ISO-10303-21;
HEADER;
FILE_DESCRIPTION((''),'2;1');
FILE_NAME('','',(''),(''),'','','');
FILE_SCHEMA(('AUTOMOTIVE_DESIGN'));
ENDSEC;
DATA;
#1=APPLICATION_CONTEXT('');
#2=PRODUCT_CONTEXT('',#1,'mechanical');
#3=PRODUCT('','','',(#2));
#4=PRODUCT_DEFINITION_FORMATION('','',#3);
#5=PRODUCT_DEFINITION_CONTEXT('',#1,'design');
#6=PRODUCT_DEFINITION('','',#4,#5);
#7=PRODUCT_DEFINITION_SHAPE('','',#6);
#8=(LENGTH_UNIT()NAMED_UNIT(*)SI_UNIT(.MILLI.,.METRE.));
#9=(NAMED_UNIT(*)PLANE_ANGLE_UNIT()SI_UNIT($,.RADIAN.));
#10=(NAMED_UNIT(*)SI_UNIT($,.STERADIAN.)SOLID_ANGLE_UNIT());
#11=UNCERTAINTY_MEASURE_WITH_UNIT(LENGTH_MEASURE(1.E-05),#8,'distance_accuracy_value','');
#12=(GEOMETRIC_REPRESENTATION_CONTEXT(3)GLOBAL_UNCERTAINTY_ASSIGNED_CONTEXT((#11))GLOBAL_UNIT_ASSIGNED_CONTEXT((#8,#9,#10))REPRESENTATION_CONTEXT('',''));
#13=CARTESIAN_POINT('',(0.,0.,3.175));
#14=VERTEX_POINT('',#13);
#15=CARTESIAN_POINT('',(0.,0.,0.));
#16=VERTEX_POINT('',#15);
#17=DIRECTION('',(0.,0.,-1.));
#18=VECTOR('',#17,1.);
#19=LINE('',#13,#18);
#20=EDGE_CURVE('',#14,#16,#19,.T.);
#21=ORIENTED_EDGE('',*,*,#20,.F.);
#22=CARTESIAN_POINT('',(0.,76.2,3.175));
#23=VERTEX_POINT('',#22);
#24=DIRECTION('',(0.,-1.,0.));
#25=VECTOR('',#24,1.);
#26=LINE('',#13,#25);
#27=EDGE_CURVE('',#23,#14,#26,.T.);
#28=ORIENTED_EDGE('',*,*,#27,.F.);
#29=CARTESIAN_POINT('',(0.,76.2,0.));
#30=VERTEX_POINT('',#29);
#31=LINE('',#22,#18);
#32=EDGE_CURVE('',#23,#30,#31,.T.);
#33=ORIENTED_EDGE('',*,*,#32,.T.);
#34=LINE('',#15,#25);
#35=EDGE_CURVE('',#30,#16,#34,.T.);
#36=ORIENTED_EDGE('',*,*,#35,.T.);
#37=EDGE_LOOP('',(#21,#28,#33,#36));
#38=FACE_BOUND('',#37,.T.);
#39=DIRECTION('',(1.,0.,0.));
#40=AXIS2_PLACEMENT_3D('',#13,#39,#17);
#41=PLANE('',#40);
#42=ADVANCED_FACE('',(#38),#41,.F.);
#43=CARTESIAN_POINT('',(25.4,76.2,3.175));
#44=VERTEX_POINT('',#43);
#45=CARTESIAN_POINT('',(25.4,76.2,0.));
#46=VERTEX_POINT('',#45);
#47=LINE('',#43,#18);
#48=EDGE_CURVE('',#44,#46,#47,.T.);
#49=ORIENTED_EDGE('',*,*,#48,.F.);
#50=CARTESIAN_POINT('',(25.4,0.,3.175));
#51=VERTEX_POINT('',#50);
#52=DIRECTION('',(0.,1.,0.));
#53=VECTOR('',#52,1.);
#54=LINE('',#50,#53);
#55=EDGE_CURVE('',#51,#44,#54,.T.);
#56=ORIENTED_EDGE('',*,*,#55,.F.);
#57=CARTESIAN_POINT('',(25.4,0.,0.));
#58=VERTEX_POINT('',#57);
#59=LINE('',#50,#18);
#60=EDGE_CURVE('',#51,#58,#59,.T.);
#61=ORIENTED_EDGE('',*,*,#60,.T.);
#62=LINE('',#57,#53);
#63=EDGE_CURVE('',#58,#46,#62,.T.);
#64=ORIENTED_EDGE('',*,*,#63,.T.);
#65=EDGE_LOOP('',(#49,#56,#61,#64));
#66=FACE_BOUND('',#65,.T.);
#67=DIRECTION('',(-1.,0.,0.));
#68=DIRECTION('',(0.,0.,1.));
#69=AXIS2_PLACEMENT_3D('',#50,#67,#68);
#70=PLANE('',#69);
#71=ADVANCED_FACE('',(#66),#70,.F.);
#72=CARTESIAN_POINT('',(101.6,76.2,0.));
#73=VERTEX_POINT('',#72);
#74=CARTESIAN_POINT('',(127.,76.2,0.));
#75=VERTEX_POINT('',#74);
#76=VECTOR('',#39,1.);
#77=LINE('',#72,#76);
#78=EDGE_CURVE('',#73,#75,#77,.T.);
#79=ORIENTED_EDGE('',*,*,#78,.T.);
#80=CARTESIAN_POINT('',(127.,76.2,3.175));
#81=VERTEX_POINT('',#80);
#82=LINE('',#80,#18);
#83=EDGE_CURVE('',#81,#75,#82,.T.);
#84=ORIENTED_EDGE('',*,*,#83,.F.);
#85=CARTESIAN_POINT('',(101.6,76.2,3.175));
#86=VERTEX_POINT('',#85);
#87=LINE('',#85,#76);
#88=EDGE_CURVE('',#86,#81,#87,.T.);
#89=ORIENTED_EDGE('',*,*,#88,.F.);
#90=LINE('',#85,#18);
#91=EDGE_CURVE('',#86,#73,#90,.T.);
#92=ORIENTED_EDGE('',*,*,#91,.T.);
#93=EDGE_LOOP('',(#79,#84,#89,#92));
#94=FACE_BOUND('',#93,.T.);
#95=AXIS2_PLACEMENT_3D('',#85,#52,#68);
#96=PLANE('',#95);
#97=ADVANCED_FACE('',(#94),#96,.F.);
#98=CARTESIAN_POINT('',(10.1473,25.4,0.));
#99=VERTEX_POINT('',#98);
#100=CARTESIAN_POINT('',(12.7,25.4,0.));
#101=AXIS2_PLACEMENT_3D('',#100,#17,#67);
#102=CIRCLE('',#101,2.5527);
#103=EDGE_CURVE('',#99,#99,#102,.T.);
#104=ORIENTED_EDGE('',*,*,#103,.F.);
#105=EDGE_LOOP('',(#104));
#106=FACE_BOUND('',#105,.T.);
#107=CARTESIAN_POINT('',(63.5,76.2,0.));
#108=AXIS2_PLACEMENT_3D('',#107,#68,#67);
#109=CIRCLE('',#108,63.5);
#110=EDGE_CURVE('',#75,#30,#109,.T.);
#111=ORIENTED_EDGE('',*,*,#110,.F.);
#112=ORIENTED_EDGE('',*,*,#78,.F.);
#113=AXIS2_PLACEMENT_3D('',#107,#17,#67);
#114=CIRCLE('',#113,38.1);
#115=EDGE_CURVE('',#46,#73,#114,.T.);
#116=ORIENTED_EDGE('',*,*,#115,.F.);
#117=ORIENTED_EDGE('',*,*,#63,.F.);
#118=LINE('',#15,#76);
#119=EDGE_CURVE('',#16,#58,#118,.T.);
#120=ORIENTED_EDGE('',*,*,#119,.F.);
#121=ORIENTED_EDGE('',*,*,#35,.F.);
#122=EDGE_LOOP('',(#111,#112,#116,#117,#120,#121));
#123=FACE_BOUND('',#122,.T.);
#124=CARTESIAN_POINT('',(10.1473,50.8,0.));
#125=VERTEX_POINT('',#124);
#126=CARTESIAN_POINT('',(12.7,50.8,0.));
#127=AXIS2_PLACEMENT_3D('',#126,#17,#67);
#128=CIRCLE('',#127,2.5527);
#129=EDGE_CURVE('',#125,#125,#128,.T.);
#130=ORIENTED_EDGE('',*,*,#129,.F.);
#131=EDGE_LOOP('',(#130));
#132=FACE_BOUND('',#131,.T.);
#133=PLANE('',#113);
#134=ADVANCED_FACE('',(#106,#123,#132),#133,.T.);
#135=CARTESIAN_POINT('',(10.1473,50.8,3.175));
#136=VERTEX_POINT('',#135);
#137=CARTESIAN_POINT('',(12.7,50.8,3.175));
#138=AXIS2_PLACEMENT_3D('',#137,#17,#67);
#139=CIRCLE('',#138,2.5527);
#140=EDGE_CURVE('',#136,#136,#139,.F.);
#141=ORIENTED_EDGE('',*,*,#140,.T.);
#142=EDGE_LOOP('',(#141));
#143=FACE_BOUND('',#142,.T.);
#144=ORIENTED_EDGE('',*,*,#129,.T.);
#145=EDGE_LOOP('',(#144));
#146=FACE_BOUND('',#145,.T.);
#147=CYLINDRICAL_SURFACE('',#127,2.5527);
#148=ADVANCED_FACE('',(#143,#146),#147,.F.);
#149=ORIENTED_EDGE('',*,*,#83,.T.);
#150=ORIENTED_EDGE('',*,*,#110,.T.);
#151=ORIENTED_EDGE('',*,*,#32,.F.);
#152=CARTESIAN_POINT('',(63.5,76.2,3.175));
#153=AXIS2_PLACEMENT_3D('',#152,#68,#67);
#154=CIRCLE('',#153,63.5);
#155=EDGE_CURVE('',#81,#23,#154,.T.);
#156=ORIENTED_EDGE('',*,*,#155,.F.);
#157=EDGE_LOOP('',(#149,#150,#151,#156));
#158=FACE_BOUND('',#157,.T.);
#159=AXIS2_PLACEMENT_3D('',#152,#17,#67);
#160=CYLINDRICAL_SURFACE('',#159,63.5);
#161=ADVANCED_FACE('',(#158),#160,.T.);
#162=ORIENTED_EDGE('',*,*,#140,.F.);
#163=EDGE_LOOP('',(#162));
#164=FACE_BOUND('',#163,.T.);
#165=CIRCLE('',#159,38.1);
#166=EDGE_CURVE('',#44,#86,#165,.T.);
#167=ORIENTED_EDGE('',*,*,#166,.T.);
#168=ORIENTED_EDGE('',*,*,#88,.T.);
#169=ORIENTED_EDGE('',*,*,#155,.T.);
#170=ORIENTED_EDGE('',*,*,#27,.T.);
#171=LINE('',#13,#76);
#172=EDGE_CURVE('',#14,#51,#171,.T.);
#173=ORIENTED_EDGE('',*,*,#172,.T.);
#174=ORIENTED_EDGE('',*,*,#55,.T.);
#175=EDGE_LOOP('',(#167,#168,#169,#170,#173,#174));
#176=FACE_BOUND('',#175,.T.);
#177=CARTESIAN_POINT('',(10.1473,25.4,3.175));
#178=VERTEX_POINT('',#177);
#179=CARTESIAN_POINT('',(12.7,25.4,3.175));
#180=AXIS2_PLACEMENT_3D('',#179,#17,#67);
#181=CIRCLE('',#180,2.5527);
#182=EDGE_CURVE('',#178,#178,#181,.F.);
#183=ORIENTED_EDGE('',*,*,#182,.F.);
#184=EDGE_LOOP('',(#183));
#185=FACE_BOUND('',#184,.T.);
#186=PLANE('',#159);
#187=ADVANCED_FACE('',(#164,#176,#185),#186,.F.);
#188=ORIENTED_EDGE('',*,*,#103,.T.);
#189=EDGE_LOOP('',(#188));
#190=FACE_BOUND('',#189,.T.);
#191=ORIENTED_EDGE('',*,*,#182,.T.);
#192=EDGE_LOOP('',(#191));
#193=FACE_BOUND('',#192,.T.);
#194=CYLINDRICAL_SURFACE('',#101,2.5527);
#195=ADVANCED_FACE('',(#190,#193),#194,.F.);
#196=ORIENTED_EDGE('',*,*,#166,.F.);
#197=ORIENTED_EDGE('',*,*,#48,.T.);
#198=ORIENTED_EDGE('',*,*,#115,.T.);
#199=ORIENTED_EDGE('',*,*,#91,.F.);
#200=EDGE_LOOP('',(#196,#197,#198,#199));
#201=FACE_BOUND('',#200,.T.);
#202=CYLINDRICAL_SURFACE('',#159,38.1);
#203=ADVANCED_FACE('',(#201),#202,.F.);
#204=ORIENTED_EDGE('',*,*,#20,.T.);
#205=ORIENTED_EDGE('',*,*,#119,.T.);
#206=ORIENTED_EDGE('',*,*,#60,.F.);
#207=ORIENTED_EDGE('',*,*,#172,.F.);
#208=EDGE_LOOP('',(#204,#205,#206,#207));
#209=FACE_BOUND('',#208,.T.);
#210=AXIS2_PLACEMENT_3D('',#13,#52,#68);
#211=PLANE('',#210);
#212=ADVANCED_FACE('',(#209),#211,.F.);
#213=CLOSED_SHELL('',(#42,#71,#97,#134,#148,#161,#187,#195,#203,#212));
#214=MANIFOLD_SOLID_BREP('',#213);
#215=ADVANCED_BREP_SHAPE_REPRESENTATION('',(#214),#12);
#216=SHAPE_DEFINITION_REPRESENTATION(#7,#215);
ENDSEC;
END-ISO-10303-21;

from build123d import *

# Parameters (mm, degrees)
BOSS_EXTRUDE1_DEPTH    = 3.175
F_10_CLEARANCE_HOLE1_D = 5.1054


with BuildPart() as part:
    # Sketch1 → Boss-Extrude1 (new body)
    with BuildSketch(Plane.XY):
        with BuildLine():
            Line((0, 0), (25.4, 0))
            Line((25.4, 0), (25.4, 76.2))
            ThreePointArc((25.4, 76.2), (63.5, 114.3), (101.6, 76.2))
            Line((101.6, 76.2), (127, 76.2))
            ThreePointArc((127, 76.2), (63.5, 139.7), (0, 76.2))
            Line((0, 76.2), (0, 0))
        make_face()
    extrude(amount=BOSS_EXTRUDE1_DEPTH)

    # #10 Clearance Hole1 (through all)
    with Locations(Plane(origin=(0, 0, 0), x_dir=(-1, 0, 0), z_dir=(0, 0, -1))):
        with Locations((-12.7, 25.4), (-12.7, 50.8)):
            Hole(F_10_CLEARANCE_HOLE1_D / 2)


solid = part.part
